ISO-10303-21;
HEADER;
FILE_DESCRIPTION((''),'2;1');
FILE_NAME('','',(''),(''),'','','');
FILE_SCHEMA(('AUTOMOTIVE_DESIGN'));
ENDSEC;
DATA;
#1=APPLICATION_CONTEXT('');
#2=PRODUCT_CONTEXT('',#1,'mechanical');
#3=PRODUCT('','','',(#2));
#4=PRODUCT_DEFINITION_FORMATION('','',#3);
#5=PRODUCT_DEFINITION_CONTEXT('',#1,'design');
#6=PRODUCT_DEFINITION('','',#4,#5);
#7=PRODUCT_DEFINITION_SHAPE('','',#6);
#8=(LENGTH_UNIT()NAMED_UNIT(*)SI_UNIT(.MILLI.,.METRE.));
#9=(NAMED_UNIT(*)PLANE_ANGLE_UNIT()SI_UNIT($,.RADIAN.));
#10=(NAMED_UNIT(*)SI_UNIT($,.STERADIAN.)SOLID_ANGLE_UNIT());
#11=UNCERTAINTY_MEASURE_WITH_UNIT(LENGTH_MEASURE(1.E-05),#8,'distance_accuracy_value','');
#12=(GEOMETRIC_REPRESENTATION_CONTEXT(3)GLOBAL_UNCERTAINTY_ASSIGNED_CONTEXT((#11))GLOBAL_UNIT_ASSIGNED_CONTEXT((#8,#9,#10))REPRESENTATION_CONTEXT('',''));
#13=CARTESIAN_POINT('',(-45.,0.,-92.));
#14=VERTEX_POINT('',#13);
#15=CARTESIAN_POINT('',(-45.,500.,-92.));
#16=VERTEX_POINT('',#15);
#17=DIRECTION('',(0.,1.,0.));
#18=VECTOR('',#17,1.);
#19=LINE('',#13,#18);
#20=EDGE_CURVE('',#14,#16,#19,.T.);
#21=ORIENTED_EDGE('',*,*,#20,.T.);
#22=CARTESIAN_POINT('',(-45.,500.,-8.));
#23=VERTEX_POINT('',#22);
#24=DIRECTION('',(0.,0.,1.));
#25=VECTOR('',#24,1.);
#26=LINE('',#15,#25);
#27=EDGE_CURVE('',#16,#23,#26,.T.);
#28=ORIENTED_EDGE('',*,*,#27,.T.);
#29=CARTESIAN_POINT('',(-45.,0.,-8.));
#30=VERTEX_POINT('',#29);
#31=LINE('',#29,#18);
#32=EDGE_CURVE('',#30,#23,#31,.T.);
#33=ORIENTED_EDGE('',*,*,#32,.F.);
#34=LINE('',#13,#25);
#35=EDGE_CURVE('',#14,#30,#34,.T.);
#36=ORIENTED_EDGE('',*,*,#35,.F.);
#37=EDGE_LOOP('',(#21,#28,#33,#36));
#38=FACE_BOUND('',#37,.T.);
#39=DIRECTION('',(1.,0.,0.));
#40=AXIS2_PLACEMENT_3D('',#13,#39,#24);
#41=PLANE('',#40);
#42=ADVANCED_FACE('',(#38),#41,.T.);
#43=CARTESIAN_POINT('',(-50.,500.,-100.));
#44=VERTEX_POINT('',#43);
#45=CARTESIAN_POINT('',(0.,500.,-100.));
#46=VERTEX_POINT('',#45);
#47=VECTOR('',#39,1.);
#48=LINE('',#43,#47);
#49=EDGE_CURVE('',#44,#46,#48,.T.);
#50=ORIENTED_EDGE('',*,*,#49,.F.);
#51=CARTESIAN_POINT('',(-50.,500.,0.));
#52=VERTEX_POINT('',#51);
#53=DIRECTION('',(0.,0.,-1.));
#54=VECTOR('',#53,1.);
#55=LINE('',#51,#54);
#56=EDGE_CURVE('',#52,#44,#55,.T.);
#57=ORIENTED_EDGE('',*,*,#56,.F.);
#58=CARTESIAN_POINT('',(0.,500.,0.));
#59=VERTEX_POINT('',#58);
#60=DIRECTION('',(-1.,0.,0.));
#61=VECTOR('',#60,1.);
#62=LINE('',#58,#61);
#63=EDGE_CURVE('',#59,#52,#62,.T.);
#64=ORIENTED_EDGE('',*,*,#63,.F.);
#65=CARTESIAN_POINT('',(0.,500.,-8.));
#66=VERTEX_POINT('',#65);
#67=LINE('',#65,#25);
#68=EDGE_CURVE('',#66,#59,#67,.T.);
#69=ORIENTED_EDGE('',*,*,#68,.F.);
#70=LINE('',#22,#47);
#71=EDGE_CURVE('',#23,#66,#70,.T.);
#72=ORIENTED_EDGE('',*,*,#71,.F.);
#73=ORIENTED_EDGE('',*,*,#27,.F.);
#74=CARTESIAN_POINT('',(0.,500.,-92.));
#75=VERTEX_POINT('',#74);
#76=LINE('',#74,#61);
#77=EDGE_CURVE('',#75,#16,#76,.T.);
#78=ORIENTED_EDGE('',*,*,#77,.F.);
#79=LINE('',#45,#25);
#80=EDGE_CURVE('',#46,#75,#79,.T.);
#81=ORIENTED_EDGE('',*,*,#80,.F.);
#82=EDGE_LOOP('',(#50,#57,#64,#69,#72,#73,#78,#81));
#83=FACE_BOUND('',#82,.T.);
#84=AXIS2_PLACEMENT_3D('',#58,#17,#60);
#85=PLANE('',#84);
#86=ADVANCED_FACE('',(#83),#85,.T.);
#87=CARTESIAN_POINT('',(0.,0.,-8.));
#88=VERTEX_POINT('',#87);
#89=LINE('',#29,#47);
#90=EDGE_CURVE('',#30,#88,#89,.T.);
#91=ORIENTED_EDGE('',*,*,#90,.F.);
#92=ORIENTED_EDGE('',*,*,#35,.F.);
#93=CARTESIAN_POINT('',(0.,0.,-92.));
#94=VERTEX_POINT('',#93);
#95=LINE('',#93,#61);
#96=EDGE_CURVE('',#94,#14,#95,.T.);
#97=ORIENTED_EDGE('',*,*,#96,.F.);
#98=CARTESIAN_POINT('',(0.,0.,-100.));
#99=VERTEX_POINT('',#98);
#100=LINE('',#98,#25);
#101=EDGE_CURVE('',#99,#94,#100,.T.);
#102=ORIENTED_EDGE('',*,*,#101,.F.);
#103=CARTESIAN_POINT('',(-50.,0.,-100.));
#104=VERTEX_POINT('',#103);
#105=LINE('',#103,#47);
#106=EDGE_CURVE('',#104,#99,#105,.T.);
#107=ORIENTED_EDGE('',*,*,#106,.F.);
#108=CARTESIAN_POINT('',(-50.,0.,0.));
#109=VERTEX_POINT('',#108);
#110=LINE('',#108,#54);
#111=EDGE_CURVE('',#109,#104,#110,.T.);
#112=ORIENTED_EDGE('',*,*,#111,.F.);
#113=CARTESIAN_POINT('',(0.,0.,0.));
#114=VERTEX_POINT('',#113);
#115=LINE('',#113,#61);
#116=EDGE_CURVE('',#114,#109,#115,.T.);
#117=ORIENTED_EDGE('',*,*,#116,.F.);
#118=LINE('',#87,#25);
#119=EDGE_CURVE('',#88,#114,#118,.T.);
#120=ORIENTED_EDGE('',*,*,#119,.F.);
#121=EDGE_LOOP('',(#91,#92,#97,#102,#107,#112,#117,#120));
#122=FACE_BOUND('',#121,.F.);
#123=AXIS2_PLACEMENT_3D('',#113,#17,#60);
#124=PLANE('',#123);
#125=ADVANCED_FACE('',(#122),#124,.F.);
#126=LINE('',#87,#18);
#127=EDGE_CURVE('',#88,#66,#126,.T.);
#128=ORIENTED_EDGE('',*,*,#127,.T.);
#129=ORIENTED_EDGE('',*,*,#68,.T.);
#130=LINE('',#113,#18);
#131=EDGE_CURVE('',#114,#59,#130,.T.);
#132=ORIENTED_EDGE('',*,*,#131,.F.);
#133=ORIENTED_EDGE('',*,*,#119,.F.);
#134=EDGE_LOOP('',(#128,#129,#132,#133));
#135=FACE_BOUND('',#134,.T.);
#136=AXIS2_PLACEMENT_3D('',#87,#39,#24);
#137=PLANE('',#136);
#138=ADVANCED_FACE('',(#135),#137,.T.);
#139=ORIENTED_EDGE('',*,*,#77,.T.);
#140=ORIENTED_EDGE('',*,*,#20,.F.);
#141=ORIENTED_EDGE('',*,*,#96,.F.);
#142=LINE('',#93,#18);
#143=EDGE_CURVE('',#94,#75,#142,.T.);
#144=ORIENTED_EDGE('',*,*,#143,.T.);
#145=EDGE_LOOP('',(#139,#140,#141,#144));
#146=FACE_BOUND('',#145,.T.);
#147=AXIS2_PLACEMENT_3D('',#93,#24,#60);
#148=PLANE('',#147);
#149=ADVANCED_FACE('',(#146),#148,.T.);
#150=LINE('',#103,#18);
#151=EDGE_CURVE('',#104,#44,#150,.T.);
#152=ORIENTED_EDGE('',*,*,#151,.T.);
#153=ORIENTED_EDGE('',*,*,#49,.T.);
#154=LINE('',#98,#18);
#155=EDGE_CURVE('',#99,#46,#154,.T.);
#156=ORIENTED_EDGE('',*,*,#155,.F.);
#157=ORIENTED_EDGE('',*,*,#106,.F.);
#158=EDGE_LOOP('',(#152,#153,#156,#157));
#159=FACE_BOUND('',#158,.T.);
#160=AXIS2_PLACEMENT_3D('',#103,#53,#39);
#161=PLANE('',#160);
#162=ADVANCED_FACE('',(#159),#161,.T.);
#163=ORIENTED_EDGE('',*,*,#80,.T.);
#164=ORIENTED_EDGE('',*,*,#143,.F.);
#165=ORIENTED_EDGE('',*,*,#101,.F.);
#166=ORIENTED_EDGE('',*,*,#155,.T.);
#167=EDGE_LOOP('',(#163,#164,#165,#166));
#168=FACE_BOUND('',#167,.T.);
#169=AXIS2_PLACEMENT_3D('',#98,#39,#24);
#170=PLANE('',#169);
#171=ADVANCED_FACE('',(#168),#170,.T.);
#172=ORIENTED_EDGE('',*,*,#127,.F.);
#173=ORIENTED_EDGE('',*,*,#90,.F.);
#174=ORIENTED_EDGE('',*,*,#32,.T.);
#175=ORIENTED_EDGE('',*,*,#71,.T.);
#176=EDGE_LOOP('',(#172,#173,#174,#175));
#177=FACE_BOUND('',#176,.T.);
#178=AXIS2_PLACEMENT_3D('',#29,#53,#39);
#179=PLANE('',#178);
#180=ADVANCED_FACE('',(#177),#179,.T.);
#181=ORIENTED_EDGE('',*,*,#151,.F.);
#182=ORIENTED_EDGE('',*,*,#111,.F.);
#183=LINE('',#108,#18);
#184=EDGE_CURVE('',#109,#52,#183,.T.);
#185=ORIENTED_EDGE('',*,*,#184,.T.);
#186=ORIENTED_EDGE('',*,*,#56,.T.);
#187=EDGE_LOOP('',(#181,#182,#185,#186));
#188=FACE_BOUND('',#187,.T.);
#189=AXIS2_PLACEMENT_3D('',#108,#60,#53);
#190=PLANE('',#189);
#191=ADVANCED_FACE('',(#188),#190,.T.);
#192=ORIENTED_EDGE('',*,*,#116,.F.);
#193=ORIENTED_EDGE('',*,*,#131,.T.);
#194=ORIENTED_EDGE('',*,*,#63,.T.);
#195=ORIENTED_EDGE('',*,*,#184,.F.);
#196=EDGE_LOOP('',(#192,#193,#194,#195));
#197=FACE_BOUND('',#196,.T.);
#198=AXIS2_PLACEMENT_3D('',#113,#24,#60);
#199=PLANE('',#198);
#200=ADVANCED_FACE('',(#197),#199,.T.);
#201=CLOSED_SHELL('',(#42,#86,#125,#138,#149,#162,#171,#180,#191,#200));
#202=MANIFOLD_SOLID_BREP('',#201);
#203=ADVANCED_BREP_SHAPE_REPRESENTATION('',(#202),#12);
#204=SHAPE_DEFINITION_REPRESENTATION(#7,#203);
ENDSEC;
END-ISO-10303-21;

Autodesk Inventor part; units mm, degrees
ref_plane "YZ Plane" through (0, 0, 0) normal (1, 0, 0) x (0, 1, 0)
ref_plane "XZ Plane" through (0, 0, 0) normal (0, 1, 0) x (-1, 0, 0)
ref_plane "XY Plane" through (0, 0, 0) normal (0, 0, 1) x (1, 0, 0)
sketch "Sketch1" plane through (0, 0, 0) normal (0, 1, 0) x (-1, 0, 0)
  line L0 (0, 0) -> (50, 0)
  line L1 (50, 0) -> (50, -100)
  line L2 (50, -100) -> (0, -100)
  line L3 (0, -100) -> (0, -92)
  line L4 (0, -92) -> (45, -92)
  line L5 (45, -92) -> (45, -8)
  line L6 (45, -8) -> (0, -8)
  line L7 (0, -8) -> (0, 0)
  dimension "d0" = 50
  dimension "d1" = 100
  dimension "d2" = 8
  dimension "d3" = 45
  dimension "d4" = 84
extrude "Extrusion1" add sketch "Sketch1" along normal blind 500
properties part number "Channel1_CPY"
